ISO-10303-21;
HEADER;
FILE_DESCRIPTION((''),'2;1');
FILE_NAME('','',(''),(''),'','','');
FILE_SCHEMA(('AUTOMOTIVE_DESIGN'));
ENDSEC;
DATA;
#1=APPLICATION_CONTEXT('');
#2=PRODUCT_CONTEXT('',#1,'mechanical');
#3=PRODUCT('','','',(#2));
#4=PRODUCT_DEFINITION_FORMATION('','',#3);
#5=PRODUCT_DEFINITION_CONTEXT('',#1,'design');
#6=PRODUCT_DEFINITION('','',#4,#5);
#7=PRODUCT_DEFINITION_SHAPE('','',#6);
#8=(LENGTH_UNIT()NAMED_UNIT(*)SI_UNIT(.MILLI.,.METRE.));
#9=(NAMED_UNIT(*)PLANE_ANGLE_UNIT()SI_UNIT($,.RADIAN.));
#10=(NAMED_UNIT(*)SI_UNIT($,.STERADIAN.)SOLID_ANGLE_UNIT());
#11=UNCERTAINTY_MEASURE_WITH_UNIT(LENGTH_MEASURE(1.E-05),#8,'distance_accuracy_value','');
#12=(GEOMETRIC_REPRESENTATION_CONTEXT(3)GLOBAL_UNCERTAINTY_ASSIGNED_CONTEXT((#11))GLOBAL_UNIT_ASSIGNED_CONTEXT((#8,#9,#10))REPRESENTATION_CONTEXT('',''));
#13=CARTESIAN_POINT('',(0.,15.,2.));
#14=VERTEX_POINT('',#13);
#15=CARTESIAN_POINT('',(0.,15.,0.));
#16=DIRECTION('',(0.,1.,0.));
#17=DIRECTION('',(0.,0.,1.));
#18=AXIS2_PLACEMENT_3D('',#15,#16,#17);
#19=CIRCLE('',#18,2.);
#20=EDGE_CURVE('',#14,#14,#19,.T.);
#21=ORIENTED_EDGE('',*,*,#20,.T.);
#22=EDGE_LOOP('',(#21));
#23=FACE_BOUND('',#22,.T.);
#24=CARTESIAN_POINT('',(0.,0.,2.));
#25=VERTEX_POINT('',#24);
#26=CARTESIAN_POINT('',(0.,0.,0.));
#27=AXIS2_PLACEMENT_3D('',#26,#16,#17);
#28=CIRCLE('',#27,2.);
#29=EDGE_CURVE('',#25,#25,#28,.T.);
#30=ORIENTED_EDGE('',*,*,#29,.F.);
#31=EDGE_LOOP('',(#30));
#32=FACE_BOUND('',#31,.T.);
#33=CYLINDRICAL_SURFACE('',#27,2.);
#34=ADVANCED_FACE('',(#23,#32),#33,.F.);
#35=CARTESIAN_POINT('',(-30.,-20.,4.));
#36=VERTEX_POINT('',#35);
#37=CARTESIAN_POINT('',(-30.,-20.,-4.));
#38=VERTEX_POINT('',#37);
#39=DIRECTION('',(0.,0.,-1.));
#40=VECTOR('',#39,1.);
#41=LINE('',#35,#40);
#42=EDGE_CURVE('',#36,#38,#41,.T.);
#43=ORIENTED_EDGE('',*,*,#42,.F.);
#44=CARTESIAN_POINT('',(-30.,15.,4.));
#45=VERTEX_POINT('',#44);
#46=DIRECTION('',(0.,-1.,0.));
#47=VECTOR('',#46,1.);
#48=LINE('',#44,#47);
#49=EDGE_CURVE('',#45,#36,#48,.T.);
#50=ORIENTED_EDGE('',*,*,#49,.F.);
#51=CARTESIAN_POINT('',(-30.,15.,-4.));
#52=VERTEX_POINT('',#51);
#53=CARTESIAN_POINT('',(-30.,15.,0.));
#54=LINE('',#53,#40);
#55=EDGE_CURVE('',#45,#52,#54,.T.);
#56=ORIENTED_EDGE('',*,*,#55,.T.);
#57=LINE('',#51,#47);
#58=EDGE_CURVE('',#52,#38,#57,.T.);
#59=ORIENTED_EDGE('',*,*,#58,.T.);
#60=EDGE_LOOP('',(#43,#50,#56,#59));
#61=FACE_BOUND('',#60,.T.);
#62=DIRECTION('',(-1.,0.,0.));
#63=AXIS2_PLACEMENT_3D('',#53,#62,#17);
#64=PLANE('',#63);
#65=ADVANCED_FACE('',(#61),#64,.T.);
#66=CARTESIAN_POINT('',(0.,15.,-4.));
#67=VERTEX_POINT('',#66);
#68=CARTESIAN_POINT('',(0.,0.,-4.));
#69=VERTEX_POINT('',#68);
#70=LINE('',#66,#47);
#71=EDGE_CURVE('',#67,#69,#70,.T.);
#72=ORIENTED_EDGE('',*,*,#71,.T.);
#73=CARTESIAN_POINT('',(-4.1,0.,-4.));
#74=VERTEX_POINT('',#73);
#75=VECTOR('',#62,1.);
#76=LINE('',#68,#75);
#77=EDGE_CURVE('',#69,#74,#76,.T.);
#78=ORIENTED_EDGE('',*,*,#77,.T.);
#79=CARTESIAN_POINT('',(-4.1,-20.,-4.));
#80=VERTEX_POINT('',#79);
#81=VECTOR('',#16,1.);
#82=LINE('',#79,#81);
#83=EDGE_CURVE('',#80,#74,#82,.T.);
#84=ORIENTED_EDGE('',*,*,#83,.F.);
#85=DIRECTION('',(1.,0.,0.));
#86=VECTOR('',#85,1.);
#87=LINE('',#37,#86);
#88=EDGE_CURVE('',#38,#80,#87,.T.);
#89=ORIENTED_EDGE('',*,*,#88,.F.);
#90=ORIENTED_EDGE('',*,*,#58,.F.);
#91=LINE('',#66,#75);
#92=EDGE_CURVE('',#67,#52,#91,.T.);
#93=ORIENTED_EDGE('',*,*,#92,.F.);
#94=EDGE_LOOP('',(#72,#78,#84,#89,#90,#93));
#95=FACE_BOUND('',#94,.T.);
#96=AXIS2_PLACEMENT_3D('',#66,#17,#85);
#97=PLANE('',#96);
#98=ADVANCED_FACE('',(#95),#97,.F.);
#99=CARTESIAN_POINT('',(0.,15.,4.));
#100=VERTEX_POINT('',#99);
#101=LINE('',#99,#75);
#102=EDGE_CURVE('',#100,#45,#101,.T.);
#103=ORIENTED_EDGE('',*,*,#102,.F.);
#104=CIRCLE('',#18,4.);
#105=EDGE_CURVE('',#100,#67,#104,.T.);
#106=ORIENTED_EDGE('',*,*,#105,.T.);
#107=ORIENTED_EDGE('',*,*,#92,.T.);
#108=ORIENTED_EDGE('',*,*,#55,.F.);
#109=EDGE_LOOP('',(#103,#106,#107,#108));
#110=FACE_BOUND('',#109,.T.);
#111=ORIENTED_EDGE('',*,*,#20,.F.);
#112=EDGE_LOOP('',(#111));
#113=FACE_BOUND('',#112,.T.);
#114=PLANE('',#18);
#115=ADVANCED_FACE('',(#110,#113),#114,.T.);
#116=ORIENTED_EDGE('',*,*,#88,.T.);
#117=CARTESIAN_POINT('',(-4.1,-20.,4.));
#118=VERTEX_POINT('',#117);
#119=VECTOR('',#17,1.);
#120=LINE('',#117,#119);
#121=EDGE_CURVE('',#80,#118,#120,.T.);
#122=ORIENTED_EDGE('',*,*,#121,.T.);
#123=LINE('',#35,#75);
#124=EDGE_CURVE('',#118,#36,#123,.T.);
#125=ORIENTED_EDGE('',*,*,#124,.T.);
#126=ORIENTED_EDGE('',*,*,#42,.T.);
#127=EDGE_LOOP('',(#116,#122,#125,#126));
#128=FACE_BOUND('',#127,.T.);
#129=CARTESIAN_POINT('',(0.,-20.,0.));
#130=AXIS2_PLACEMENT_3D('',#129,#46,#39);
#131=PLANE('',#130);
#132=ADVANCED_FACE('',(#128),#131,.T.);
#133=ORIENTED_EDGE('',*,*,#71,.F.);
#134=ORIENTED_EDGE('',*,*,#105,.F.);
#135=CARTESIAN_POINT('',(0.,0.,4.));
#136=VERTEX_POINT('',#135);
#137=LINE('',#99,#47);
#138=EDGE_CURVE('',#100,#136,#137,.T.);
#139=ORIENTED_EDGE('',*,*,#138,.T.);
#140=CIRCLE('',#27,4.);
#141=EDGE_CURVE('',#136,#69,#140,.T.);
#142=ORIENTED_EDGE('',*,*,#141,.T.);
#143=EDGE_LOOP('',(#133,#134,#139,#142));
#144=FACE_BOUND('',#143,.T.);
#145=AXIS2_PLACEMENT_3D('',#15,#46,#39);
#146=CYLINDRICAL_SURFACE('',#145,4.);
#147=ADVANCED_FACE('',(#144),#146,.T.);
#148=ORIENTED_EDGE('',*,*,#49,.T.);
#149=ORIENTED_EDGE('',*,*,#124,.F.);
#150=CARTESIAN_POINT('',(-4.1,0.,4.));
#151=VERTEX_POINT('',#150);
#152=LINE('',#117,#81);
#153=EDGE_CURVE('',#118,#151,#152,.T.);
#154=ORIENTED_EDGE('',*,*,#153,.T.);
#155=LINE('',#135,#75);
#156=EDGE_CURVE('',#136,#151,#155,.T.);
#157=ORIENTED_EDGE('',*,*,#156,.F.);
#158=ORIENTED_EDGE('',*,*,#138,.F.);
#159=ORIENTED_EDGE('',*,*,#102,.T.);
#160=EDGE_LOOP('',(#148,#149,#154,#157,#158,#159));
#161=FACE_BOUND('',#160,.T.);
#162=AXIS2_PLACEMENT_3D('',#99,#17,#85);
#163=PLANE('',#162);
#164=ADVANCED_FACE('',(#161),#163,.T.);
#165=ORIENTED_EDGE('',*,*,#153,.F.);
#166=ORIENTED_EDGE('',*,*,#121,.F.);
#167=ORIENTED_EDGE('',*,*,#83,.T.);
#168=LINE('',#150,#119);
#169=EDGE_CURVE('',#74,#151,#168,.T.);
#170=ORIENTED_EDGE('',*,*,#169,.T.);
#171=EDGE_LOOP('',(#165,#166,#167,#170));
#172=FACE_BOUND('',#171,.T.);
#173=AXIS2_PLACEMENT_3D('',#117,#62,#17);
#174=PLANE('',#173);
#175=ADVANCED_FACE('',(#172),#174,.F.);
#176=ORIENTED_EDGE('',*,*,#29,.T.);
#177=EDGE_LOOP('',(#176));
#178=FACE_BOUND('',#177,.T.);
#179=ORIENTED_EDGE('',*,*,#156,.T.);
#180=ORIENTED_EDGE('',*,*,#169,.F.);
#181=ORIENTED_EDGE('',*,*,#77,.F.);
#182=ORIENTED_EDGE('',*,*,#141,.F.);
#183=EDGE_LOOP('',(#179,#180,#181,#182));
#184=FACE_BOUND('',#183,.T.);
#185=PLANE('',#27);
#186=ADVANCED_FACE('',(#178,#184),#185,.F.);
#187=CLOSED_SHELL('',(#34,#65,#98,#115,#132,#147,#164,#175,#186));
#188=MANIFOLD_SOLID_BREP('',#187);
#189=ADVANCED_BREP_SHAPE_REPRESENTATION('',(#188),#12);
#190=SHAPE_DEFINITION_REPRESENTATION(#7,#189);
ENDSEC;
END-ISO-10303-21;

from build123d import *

# Parameters (mm, degrees)
BOSS_EXTRUDE1_DEPTH = 15
SKETCH2_R           = 2
CUT_EXTRUDE1_DEPTH  = 34.778691508
SKETCH3_W           = 25.9
SKETCH3_H           = 8
BOSS_EXTRUDE2_DEPTH = 20


with BuildPart() as part:
    # Sketch1 → Boss-Extrude1 (new body)
    with BuildSketch(Plane(origin=(0, 0, 0), x_dir=(1, 0, 0), z_dir=(0, 1, 0))):
        with BuildLine():
            Line((-30, -4), (0, -4))
            ThreePointArc((0, -4), (-4, 0), (0, 4))
            Line((0, 4), (-30, 4))
            Line((-30, 4), (-30, -4))
        make_face()
        with BuildLine():
            ThreePointArc((0, 4), (-4, 0), (0, -4))
            Line((0, -4), (0, 4))
        make_face()
        with BuildLine():
            Line((0, 4), (0, -4))
            ThreePointArc((0, -4), (2.828427125, -2.828427125), (4, 0))
            ThreePointArc((4, 0), (2.828427125, 2.828427125), (0, 4))
        make_face()
    extrude(amount=BOSS_EXTRUDE1_DEPTH)

    # Sketch2 → Cut-Extrude1 (cut, through all)
    with BuildSketch(Plane(origin=(0, 15, 0), x_dir=(1, 0, 0), z_dir=(0, 1, 0))):
        with Locations(Location((0, 0, 0), (0, 0, 270))):
            Circle(SKETCH2_R)
    extrude(amount=-CUT_EXTRUDE1_DEPTH, mode=Mode.SUBTRACT)

    # Sketch3 → Boss-Extrude2 (add)
    with BuildSketch(Plane.XZ):
        with Locations((-17.05, 0)):
            Rectangle(SKETCH3_W, SKETCH3_H)
    extrude(amount=BOSS_EXTRUDE2_DEPTH)


solid = part.part
